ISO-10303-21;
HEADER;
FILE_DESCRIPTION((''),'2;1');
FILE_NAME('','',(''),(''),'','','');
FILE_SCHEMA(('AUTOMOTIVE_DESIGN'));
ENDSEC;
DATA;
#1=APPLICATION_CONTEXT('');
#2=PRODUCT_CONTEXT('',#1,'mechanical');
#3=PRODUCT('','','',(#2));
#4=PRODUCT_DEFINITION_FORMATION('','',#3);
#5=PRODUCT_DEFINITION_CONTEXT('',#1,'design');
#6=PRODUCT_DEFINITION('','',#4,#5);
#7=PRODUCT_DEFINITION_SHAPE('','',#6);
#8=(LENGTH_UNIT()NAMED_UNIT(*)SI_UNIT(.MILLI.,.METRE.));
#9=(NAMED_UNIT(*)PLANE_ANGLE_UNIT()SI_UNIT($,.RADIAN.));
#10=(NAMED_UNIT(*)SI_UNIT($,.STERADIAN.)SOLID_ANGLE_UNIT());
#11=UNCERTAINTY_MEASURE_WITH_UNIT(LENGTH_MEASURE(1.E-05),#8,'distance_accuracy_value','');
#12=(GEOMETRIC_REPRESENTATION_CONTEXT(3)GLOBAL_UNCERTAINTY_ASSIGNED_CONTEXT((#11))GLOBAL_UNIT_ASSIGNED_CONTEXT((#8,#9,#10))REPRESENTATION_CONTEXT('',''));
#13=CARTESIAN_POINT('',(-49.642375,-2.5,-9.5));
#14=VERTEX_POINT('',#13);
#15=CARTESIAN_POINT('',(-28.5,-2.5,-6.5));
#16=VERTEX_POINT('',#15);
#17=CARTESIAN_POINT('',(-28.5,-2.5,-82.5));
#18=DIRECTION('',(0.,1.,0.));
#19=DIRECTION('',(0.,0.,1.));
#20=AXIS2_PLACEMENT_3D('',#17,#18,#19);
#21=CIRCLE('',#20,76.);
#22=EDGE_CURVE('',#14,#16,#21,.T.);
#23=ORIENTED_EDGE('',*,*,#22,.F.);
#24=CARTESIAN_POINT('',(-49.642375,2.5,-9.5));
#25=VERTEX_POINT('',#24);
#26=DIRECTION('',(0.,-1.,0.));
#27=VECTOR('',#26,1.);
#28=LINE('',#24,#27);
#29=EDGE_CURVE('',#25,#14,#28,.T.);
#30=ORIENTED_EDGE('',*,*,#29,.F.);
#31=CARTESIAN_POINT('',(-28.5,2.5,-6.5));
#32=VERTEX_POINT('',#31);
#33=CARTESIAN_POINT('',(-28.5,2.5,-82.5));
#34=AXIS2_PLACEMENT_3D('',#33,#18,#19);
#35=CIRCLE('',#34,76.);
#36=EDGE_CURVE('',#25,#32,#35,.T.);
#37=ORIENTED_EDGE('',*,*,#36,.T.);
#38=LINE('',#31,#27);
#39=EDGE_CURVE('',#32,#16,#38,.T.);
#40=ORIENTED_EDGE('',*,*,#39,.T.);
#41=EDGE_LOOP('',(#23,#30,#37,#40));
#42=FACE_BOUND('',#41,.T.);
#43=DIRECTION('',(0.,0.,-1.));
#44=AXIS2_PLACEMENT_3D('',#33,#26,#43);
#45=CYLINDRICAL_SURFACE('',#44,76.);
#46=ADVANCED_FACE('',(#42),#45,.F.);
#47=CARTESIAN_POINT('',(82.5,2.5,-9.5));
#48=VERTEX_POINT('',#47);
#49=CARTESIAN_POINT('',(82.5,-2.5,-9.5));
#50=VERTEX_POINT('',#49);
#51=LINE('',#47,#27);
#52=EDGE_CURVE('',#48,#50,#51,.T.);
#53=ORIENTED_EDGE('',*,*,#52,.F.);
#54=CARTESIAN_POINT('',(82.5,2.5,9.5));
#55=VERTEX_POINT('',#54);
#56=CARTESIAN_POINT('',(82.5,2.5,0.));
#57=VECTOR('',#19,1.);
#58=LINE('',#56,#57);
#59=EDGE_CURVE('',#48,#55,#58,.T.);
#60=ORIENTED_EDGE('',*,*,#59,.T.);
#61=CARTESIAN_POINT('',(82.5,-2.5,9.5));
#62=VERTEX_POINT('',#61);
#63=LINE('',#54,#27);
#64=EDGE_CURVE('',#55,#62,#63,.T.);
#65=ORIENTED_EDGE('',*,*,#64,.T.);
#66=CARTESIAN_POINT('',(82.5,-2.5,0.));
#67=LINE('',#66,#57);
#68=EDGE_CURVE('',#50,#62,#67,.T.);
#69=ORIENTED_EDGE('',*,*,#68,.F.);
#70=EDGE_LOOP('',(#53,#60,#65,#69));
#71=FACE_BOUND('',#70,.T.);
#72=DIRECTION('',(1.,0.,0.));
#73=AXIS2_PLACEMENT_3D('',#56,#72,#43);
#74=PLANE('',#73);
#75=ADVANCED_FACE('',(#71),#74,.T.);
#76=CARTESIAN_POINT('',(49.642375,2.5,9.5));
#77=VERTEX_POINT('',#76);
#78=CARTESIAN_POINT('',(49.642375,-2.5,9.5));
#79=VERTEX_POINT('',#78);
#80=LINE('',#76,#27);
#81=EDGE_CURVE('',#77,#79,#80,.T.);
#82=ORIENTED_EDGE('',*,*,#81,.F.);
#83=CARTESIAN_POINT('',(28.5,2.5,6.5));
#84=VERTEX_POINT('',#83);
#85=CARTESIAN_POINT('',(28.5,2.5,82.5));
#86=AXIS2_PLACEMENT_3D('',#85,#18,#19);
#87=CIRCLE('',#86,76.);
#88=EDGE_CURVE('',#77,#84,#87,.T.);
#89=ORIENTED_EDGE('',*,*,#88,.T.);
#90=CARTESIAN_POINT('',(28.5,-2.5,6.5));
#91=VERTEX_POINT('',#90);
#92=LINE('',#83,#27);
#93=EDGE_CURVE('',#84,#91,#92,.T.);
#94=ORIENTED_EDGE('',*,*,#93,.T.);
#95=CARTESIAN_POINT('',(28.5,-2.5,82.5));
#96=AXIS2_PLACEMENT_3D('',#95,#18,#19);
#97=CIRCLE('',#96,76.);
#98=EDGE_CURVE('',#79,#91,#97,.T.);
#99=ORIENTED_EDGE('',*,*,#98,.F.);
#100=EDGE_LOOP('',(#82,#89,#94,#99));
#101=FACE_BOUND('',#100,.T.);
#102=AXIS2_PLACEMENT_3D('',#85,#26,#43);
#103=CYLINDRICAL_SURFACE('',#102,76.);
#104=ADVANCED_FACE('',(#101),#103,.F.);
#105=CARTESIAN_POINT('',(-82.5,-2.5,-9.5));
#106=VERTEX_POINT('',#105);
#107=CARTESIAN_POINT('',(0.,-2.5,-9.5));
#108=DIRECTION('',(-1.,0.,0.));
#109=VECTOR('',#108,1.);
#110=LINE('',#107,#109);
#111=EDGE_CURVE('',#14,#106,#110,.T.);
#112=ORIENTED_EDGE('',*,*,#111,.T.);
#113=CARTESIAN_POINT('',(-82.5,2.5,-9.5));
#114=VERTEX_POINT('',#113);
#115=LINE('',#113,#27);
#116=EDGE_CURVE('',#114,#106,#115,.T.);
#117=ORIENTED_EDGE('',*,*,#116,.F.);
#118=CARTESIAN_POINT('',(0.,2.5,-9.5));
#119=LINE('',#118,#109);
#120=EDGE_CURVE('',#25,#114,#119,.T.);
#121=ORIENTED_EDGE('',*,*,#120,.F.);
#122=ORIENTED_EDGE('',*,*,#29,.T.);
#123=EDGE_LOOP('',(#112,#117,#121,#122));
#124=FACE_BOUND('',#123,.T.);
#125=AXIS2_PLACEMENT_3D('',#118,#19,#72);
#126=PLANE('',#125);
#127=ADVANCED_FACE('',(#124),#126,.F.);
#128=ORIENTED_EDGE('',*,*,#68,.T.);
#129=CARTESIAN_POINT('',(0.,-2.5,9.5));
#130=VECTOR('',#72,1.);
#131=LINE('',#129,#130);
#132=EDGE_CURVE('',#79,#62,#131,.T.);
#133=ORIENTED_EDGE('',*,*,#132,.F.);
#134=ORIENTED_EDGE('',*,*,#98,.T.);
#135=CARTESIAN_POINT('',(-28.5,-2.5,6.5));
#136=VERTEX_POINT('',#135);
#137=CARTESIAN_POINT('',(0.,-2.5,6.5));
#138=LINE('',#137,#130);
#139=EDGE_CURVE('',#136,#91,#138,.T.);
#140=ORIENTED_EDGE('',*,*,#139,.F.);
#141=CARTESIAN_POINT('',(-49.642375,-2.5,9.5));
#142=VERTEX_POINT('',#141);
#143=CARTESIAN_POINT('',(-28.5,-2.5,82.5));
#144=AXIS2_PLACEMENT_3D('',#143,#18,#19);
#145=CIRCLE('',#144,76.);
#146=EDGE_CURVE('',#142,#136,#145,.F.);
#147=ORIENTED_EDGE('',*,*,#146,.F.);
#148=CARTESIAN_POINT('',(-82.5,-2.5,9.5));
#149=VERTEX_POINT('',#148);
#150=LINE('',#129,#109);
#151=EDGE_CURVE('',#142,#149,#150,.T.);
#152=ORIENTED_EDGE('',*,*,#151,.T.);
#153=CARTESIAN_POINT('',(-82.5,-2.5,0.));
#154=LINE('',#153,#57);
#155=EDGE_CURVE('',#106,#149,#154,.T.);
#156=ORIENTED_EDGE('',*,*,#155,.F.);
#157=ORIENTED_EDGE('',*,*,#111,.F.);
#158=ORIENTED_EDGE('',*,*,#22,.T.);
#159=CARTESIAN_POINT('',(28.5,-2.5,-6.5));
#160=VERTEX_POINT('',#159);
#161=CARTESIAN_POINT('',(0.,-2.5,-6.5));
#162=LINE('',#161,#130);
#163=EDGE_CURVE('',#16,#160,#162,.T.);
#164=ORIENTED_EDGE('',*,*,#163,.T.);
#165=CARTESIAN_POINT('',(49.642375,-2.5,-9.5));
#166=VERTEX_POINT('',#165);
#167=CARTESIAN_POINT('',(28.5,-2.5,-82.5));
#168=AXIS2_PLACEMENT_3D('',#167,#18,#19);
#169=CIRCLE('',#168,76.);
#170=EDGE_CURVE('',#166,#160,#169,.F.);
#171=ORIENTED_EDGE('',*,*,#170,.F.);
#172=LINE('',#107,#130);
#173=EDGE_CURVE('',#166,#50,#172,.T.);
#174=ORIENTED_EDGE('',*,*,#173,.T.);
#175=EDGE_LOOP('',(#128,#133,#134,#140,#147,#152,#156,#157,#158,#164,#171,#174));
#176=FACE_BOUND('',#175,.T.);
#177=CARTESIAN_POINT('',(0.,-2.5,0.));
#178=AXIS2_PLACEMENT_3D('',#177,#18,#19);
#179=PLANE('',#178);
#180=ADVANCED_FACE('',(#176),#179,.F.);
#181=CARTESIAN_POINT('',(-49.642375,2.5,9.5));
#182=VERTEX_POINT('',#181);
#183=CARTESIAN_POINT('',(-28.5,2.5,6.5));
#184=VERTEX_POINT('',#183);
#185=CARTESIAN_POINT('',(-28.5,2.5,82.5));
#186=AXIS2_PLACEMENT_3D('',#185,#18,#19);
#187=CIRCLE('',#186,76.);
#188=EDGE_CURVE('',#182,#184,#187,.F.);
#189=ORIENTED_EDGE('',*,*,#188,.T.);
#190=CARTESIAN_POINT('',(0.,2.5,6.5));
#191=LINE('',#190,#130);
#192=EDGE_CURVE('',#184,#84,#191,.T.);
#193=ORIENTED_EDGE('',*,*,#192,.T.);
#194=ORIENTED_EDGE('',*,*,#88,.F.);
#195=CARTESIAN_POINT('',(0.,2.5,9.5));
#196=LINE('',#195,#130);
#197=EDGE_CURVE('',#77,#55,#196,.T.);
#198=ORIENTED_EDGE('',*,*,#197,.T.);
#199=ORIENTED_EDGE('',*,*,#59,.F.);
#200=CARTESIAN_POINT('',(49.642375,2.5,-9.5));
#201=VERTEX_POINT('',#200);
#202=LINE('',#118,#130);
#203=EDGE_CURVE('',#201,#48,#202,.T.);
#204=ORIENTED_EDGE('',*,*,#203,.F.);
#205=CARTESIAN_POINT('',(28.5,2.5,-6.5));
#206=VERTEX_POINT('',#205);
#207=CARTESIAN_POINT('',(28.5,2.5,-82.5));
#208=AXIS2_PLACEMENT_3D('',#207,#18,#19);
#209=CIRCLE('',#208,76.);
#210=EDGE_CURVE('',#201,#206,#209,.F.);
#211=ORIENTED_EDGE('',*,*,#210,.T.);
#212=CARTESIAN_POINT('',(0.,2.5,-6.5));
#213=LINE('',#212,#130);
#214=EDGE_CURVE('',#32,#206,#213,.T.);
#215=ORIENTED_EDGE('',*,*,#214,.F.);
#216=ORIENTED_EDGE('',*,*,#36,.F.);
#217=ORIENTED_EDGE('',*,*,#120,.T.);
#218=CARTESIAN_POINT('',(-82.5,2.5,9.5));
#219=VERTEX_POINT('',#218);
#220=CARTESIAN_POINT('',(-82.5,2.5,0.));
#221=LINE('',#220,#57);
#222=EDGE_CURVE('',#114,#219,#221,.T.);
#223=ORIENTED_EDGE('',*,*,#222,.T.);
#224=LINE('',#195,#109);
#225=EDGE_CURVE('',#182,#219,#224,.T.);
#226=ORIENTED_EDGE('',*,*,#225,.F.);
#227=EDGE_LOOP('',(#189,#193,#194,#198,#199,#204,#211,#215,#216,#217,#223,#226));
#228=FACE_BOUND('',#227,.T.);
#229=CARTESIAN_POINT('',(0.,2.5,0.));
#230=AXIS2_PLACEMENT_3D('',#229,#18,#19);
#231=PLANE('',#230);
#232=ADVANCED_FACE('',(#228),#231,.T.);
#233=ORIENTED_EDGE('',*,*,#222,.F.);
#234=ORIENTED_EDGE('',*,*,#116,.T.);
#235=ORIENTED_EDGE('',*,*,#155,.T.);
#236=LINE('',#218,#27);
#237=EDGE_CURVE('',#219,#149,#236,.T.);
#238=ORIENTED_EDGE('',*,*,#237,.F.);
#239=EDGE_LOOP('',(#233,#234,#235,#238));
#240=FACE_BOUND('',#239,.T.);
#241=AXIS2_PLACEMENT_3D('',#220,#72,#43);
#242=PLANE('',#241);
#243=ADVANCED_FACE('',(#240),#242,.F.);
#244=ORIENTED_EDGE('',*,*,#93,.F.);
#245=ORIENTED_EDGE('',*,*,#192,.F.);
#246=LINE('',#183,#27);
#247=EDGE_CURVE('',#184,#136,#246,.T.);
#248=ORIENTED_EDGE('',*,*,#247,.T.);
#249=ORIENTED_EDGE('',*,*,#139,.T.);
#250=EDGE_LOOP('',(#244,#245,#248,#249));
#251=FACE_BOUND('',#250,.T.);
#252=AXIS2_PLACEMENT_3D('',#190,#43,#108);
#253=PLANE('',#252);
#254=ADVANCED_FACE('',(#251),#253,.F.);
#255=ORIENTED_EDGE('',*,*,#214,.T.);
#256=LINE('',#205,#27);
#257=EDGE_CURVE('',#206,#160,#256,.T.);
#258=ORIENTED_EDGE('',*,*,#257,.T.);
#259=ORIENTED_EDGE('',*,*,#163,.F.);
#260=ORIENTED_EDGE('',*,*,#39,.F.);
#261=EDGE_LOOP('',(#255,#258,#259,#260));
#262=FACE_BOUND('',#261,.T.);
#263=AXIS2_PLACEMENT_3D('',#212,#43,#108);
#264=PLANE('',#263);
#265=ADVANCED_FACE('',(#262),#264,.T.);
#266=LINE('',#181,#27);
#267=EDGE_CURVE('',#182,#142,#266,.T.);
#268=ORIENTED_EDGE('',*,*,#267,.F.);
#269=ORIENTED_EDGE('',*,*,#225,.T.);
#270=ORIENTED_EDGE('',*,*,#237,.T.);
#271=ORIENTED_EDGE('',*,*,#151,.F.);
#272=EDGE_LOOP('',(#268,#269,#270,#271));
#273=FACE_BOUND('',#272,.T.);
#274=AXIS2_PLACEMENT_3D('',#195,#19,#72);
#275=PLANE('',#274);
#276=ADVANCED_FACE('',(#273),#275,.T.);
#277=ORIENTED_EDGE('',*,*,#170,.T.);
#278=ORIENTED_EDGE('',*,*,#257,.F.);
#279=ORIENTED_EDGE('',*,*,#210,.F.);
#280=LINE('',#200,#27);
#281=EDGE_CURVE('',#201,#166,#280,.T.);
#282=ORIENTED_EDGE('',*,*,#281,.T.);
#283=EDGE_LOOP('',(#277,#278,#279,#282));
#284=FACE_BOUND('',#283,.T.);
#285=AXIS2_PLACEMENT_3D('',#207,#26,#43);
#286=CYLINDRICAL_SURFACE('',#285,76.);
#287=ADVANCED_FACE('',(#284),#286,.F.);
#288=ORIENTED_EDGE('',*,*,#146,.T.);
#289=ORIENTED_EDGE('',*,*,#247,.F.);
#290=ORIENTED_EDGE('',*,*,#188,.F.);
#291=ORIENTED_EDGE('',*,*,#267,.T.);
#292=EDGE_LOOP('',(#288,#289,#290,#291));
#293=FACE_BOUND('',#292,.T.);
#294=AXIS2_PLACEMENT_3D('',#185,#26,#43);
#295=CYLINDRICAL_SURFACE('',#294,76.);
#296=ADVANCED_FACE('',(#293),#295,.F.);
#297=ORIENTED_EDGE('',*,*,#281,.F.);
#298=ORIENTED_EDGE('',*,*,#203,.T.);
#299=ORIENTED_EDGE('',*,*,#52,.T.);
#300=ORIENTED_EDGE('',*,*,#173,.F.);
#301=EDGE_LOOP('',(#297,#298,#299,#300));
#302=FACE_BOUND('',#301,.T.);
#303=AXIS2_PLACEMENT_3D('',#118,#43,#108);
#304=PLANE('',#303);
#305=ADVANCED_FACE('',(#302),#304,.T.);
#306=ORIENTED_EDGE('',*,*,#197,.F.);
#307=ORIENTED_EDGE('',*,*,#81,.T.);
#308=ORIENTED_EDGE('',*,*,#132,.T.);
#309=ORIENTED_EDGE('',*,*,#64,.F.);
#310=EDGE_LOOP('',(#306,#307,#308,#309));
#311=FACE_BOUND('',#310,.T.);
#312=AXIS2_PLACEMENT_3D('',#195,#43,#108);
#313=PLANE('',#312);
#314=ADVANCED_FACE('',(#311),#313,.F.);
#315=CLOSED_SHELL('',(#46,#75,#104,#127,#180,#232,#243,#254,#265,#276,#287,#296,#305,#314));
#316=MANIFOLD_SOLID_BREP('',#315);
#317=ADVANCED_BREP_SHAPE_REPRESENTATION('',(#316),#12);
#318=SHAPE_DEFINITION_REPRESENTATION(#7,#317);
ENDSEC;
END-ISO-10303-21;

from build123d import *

# Parameters (mm, degrees)
EXTRUDE_1_DEPTH = 2.5


with BuildPart() as part:
    # 스케치1 → 보스-돌출1 (new, symmetric)
    with BuildSketch(Plane(origin=(0, 0, 0), x_dir=(1, 0, 0), z_dir=(0, 1, 0))):
        with BuildLine():
            Line((-49.642374512, -9.5), (-82.5, -9.5))
            Line((-82.5, -9.5), (-82.5, 9.5))
            Line((-82.5, 9.5), (-49.642374512, 9.5))
            ThreePointArc((-49.642374512, 9.5), (-39.177078252, 7.253737634), (-28.5, 6.5))
            Line((-28.5, 6.5), (28.5, 6.5))
            ThreePointArc((28.5, 6.5), (39.177078252, 7.253737634), (49.642374512, 9.5))
            Line((49.642374512, 9.5), (82.5, 9.5))
            Line((82.5, 9.5), (82.5, -9.5))
            Line((82.5, -9.5), (49.642374512, -9.5))
            ThreePointArc((49.642374512, -9.5), (39.177078252, -7.253737634), (28.5, -6.5))
            Line((28.5, -6.5), (-28.5, -6.5))
            ThreePointArc((-28.5, -6.5), (-39.177078252, -7.253737634), (-49.642374512, -9.5))
        make_face()
    extrude(amount=EXTRUDE_1_DEPTH, both=True)


solid = part.part
